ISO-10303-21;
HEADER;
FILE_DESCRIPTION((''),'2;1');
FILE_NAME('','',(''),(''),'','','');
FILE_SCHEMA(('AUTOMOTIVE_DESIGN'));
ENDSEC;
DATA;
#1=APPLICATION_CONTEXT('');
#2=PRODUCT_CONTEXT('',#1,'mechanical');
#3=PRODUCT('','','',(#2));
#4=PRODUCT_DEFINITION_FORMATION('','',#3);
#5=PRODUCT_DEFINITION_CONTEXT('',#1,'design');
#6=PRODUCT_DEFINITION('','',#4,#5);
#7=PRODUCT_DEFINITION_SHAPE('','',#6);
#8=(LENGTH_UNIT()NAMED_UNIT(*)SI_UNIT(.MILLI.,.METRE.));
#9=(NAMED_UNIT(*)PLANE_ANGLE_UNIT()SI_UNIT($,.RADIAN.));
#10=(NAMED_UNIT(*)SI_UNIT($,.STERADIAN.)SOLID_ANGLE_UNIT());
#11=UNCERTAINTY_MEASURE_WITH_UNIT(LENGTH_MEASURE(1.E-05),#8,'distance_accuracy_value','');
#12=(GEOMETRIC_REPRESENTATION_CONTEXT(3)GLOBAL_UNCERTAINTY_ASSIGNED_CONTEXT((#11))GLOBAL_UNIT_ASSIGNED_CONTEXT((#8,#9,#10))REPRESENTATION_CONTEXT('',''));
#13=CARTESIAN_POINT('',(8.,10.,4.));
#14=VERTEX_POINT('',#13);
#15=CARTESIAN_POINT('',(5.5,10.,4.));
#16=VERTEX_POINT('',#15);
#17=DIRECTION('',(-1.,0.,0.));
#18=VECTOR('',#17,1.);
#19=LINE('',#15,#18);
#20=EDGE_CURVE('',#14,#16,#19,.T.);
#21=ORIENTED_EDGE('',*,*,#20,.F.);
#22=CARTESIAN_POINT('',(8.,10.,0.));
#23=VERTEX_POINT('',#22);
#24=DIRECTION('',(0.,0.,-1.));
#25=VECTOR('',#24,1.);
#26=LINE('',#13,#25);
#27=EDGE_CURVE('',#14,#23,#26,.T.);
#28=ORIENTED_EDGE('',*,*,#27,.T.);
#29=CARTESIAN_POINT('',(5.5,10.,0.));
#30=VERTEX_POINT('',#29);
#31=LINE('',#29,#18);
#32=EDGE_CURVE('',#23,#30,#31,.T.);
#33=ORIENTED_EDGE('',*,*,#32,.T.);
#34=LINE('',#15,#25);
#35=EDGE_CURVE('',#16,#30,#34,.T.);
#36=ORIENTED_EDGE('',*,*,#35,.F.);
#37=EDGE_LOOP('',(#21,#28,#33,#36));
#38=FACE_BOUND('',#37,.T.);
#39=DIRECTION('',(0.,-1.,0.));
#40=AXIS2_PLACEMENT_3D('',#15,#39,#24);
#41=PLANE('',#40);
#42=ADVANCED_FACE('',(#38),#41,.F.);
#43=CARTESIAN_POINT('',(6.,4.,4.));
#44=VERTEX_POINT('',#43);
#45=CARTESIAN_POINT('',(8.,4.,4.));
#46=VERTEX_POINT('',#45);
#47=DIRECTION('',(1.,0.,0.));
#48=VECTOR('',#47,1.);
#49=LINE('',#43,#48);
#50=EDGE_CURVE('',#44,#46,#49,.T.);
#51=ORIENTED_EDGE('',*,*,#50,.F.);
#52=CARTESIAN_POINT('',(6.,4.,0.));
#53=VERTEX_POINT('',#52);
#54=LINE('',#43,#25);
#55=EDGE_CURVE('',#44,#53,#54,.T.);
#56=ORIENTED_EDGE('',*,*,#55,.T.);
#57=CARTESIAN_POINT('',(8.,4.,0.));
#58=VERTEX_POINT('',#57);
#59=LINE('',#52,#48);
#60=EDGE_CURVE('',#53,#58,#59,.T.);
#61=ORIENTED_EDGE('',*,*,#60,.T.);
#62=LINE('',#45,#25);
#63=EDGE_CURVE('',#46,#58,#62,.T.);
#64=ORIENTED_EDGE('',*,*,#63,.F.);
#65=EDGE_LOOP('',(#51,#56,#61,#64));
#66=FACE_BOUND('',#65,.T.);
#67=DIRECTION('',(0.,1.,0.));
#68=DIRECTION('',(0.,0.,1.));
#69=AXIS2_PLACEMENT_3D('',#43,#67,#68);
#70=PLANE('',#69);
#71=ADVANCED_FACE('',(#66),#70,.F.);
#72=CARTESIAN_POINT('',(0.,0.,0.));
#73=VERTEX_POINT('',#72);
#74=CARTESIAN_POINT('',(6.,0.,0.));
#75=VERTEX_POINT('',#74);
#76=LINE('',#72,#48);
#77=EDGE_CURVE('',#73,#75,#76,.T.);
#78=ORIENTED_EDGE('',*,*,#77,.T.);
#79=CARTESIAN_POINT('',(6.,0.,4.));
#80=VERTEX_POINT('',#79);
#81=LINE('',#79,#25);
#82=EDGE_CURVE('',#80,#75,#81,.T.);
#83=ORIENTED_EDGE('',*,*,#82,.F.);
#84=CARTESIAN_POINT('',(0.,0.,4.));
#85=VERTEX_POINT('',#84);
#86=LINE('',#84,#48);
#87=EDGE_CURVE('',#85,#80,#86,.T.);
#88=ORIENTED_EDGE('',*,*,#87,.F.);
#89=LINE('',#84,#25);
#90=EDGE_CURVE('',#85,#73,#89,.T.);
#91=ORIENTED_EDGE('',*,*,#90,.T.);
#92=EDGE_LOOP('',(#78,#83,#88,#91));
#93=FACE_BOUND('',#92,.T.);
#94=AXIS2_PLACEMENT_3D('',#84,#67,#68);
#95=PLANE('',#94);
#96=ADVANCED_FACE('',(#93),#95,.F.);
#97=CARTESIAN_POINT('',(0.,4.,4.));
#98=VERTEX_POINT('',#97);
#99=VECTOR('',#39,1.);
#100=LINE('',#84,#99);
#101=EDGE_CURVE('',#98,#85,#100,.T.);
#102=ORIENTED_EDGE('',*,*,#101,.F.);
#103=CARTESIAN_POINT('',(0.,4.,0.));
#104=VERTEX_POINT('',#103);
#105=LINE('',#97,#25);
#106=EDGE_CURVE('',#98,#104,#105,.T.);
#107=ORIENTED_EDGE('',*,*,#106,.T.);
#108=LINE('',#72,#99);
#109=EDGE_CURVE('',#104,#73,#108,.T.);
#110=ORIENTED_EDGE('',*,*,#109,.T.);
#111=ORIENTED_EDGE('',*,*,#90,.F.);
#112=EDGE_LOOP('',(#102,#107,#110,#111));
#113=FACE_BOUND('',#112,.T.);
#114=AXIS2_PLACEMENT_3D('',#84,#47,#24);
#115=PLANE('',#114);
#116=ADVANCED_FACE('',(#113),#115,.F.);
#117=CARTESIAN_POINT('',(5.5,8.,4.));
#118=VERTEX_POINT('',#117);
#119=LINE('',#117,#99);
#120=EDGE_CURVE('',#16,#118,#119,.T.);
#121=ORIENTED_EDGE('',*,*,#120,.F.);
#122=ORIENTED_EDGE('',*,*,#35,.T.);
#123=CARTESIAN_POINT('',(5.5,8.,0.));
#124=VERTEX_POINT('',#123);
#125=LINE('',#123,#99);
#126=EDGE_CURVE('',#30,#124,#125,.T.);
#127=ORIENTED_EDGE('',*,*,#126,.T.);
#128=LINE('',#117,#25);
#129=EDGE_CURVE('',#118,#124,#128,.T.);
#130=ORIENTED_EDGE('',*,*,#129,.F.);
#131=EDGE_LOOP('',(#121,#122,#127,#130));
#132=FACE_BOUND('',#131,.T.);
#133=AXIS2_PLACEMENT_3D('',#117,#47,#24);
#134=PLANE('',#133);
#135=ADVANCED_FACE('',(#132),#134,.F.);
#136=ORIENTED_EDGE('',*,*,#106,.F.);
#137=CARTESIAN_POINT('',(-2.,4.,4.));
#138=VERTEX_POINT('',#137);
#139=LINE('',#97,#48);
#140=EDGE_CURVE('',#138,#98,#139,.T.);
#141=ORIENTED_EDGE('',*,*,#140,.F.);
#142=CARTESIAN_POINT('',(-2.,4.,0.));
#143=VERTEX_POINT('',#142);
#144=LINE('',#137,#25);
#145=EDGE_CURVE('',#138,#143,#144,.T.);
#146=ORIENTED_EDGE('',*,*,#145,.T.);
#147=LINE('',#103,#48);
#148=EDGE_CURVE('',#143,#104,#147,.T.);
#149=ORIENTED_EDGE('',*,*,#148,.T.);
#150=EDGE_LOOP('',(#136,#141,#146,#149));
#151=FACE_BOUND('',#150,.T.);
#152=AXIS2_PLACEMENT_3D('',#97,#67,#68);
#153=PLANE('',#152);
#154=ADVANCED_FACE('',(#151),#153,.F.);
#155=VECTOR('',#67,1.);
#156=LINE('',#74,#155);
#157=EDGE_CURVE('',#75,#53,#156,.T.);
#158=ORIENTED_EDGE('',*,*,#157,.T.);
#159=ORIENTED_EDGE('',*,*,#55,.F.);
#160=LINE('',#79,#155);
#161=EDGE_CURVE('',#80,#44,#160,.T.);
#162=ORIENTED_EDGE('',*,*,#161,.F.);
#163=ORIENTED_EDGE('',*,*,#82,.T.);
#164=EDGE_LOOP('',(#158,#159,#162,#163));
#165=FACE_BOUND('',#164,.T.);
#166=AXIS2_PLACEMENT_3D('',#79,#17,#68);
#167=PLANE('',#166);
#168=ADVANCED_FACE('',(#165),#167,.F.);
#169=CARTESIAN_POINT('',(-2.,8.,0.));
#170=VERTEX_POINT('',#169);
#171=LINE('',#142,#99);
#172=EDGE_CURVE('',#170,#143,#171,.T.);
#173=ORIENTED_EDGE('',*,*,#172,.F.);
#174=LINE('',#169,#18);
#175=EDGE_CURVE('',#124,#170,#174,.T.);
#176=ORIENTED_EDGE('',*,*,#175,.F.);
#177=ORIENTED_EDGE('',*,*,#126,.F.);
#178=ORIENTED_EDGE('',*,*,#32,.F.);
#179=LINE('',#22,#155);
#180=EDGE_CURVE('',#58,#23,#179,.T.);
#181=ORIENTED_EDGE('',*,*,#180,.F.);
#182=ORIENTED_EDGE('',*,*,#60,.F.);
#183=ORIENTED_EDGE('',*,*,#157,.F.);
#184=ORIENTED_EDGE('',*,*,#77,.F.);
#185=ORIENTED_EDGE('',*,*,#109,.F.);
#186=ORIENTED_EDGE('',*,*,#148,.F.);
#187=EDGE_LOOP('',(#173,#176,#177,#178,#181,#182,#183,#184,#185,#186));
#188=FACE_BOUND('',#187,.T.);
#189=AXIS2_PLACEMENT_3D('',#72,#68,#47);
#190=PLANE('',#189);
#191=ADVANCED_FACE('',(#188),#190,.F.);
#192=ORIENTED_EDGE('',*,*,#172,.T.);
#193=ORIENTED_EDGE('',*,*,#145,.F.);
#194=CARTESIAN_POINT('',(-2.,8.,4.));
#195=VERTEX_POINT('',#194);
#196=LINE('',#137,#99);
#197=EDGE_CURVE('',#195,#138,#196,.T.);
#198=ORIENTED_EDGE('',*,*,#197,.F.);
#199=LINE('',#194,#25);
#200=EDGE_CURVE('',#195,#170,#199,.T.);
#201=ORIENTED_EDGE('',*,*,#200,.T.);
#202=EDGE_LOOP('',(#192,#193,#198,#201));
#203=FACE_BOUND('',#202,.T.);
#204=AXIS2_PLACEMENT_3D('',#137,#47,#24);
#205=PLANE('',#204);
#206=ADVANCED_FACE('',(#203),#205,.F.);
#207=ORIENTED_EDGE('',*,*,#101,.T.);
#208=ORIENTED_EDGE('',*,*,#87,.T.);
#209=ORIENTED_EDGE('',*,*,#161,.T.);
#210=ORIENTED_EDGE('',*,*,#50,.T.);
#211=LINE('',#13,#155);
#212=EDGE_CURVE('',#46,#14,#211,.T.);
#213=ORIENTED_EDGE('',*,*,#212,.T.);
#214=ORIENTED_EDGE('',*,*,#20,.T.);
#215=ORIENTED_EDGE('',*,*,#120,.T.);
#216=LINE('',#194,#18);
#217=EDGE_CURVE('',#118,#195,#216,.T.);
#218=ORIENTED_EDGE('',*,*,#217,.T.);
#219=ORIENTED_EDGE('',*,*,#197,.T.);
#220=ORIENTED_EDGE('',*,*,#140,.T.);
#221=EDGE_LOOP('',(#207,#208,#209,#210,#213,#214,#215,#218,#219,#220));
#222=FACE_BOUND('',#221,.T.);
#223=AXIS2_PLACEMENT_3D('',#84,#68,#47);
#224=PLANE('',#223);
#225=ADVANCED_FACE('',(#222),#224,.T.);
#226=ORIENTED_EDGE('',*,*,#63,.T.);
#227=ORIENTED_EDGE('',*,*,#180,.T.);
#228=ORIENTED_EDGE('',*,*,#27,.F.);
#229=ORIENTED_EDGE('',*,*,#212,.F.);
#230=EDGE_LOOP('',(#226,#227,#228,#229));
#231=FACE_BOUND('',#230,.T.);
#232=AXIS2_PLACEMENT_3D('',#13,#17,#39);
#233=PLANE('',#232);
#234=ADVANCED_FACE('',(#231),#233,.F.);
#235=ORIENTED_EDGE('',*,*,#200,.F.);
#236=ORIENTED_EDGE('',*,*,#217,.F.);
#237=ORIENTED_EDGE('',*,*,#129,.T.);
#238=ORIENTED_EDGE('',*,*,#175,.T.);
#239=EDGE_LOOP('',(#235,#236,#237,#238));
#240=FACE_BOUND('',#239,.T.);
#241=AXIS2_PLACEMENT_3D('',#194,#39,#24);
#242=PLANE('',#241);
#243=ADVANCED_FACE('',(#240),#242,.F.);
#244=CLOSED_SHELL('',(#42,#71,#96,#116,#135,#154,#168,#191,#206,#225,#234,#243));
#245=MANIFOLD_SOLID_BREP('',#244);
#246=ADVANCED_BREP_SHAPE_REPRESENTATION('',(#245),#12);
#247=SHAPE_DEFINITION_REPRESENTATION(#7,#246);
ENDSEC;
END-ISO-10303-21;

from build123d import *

# Parameters (mm, degrees)
BOSS_EXTRUDE1_DEPTH = 4


with BuildPart() as part:
    # Sketch1 → Boss-Extrude1 (new body)
    with BuildSketch(Plane.XY):
        Polygon((0, 0), (6, 0), (6, 4), (8, 4), (8, 10), (5.5, 10), (5.5, 8), (-2, 8), (-2, 4), (0, 4), align=None)
    extrude(amount=BOSS_EXTRUDE1_DEPTH)


solid = part.part
